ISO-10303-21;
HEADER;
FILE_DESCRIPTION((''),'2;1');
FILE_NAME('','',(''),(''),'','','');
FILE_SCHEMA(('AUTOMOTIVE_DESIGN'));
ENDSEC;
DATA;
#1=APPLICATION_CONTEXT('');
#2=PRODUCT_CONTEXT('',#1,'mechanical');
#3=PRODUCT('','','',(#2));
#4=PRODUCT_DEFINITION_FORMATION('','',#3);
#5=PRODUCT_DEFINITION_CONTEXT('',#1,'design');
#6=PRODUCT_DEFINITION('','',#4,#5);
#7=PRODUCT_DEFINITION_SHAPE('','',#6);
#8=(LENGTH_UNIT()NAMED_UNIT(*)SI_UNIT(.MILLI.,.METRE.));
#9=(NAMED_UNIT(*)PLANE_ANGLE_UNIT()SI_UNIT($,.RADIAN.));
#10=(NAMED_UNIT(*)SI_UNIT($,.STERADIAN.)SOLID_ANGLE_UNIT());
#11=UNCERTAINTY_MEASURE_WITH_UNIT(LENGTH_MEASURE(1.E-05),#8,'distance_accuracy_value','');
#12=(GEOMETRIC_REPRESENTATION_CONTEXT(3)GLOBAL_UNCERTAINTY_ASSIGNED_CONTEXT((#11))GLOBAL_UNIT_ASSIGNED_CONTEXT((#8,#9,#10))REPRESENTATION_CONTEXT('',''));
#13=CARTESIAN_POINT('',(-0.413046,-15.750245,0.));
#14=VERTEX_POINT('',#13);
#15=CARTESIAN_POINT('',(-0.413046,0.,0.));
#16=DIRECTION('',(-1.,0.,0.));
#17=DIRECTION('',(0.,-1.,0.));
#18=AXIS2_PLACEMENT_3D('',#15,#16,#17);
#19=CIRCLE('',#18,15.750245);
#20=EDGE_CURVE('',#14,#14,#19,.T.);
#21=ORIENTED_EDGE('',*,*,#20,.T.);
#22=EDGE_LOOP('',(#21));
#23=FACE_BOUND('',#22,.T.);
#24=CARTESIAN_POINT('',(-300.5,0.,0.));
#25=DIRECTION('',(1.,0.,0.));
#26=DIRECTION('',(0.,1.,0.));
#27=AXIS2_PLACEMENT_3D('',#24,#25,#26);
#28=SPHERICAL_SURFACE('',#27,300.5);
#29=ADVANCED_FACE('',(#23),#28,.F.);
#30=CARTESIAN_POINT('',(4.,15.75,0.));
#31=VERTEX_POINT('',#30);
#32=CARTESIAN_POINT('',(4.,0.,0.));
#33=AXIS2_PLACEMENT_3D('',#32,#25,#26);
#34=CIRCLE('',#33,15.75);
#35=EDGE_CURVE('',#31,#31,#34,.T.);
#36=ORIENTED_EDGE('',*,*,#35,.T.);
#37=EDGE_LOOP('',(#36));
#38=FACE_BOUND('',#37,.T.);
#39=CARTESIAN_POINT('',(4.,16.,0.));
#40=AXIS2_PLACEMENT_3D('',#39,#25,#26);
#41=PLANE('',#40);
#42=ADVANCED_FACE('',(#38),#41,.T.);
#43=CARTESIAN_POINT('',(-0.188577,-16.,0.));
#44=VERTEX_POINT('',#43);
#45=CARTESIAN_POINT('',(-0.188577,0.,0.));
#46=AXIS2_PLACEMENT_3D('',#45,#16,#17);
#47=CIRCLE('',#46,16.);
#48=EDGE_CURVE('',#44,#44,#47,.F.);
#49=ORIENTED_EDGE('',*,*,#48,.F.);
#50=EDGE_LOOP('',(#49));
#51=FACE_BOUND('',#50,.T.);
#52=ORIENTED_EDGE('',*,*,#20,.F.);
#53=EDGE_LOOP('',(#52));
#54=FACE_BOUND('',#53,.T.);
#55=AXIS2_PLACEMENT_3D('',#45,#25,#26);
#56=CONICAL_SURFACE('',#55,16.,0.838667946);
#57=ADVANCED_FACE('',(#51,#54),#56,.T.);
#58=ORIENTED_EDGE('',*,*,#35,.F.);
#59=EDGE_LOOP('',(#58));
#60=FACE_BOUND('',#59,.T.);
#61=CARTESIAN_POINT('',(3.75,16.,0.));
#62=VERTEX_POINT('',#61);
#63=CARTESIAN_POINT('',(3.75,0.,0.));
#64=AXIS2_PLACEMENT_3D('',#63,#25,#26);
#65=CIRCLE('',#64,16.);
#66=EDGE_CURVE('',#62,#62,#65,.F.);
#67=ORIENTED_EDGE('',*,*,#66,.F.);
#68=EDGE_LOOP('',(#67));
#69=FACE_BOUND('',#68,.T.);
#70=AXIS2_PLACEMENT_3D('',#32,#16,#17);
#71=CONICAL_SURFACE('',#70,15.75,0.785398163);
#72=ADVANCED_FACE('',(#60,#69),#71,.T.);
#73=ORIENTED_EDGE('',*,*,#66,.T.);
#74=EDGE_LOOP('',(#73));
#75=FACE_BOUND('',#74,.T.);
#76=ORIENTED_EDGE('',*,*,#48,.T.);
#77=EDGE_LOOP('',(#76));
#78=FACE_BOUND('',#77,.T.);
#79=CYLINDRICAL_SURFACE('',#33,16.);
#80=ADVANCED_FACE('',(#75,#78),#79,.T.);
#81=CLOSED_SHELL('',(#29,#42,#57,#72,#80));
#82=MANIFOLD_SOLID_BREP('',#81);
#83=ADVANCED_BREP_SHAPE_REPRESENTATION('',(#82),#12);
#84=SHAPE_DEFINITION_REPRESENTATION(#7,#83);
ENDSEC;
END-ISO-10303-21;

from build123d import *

# Parameters (mm, degrees)
CHAMFER_1_SIZE2       = 0.25
CHAMFER_1_SIZE        = 0.237681877
CHAMFER_1_EDGE_2_SIZE = 0.25


with BuildPart() as part:
    # Эскиз1 → Повернуть1 (revolve)
    with BuildSketch(Plane.XY):
        with BuildLine():
            Line((-0.426259063, 16), (4, 16))
            Line((4, 16), (4, 0))
            Line((4, 0), (0, 0))
            ThreePointArc((0, 0), (-0.106583668, 8.002838509), (-0.426259063, 16))
        make_face()
    revolve(axis=Axis((4, 0, 0), (-1, 0, 0)))

    # Фаска1
    chamfer_1_edges = [part.edges().sort_by_distance(p)[0] for p in [
        (-0.426259063, -16, 0),
    ]]
    chamfer(chamfer_1_edges, length=CHAMFER_1_SIZE, length2=CHAMFER_1_SIZE2)

    # Фаска1 edge 2
    chamfer_1_edge_2_edges = [part.edges().sort_by_distance(p)[0] for p in [
        (4, -16, 0),
    ]]
    chamfer(chamfer_1_edge_2_edges, length=CHAMFER_1_EDGE_2_SIZE)


solid = part.part
